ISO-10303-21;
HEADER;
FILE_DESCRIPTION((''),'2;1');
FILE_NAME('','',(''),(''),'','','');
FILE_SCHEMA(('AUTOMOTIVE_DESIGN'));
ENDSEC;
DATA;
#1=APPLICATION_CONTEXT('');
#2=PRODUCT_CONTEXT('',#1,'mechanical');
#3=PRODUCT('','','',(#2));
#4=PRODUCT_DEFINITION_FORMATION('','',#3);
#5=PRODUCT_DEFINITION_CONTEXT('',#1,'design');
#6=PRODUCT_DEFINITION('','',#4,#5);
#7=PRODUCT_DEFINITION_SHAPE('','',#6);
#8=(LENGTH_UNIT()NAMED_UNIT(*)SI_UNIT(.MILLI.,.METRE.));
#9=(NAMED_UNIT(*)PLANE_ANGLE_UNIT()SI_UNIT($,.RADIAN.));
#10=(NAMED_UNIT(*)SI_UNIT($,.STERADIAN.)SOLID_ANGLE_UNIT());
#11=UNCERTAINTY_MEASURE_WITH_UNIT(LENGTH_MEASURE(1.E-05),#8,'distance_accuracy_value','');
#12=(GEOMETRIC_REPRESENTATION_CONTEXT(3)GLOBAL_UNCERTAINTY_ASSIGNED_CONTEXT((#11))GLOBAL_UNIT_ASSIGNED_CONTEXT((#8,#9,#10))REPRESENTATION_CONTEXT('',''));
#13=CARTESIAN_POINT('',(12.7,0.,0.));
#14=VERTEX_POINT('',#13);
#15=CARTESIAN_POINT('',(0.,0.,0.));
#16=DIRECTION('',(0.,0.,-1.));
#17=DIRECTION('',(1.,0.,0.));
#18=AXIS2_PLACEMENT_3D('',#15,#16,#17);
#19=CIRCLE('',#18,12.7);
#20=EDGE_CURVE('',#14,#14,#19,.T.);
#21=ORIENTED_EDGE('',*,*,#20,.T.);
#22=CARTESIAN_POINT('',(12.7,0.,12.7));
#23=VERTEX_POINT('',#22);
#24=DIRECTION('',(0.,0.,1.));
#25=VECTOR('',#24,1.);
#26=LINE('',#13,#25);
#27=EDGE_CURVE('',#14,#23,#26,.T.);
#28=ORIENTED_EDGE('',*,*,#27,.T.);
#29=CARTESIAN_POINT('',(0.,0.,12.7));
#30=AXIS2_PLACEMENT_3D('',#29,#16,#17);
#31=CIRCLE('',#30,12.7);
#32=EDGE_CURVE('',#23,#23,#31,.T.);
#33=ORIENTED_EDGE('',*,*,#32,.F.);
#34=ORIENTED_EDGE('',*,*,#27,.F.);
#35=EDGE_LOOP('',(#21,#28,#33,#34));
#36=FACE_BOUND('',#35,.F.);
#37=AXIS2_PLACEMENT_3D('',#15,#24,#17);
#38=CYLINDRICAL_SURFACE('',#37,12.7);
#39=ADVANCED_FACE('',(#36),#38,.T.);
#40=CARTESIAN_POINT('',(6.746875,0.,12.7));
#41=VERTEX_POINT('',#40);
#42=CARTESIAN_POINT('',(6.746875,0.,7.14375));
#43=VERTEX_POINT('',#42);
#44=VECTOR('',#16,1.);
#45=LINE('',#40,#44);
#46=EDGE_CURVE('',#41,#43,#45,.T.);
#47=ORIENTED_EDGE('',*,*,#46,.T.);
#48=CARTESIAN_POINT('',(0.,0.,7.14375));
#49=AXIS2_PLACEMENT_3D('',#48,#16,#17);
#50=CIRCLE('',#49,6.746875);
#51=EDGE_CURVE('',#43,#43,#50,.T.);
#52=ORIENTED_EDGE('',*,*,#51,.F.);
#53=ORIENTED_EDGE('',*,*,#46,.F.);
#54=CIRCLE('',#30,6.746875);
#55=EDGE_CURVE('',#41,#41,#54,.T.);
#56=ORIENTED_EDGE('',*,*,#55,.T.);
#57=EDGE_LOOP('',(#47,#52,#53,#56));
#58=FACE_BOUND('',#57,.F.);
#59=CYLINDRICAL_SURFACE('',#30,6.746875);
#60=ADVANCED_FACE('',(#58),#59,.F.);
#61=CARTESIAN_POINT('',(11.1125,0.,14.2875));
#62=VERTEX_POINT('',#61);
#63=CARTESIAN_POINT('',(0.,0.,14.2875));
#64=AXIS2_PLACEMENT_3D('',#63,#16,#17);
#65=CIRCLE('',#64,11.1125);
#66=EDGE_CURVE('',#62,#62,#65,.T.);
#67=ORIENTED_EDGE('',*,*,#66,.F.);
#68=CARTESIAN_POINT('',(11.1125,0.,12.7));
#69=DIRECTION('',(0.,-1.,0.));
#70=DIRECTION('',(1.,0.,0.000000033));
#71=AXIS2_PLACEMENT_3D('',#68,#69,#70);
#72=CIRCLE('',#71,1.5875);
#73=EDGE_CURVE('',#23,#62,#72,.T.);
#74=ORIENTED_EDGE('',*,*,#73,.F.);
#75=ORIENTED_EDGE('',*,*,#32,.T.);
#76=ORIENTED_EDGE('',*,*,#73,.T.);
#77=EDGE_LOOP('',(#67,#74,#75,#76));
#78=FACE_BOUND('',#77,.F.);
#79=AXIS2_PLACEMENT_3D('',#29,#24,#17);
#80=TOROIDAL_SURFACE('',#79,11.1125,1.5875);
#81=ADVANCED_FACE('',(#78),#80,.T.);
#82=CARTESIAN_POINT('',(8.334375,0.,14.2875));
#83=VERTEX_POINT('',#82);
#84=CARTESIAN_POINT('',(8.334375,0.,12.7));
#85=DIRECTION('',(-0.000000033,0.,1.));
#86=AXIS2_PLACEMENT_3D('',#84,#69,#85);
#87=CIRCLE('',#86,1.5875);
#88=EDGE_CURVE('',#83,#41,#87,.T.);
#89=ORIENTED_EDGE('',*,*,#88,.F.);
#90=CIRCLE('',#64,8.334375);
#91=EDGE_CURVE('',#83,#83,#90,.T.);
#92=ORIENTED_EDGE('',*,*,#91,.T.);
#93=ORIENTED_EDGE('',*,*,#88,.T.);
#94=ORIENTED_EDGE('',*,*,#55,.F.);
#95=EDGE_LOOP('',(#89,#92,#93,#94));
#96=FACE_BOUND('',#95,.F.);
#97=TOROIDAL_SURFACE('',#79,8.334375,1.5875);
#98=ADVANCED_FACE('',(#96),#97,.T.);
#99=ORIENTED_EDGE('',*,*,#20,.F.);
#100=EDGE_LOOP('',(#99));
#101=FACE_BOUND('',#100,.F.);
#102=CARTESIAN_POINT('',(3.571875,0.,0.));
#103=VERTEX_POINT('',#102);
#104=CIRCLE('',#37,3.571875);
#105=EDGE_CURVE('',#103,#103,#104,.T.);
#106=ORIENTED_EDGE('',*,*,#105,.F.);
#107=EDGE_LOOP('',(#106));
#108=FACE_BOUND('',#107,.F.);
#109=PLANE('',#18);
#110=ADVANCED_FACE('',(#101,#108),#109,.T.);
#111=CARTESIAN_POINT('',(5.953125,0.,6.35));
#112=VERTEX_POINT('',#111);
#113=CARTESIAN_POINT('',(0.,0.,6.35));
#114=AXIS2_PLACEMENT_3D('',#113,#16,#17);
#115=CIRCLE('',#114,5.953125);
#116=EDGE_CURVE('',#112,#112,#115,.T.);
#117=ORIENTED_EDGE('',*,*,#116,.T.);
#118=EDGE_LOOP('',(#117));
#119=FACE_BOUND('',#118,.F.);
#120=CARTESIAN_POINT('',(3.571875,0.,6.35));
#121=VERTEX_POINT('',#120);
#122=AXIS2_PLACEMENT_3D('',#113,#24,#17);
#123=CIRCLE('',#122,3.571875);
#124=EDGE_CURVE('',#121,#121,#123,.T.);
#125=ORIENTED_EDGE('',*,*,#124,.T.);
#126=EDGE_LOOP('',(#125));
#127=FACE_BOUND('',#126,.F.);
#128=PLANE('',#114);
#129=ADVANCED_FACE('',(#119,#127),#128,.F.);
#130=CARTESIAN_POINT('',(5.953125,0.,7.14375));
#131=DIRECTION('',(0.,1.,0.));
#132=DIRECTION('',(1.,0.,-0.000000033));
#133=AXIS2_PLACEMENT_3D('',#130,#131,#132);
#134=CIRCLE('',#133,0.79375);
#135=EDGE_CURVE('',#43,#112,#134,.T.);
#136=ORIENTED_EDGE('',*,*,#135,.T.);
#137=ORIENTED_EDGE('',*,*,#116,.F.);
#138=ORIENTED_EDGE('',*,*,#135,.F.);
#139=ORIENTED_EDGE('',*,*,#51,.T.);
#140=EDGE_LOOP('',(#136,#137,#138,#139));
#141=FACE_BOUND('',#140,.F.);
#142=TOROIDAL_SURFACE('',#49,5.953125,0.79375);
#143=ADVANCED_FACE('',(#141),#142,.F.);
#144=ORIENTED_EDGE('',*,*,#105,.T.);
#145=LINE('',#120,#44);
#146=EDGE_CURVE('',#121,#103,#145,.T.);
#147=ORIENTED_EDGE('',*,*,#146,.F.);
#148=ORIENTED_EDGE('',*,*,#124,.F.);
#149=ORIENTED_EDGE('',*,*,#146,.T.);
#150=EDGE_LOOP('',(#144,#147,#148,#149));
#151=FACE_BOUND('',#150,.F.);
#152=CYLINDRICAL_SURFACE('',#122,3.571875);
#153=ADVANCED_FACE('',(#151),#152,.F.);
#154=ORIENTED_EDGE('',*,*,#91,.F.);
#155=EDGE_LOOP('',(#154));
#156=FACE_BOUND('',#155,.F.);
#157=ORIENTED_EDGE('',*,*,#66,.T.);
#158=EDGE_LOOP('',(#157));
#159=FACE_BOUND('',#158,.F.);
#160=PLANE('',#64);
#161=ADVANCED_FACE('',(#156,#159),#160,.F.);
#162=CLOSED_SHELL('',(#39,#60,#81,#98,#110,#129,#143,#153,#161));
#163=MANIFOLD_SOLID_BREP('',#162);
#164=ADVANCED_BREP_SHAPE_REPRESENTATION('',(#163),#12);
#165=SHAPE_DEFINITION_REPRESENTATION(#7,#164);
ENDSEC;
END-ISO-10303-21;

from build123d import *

# Parameters (mm, degrees)
F2_R     = 3.571875
F3_DEPTH = 6.35


with BuildPart() as f1:
    # F0 (on Front) → F1 (revolve)
    with BuildSketch(Plane.XZ):
        with BuildLine():
            Line((5.953125, 6.35), (0, 6.35))
            Line((0, 6.35), (0, 0))
            Line((0, 0), (12.7, 0))
            Line((12.7, 0), (12.7, 12.7))
            ThreePointArc((12.7, 12.7), (12.235032, 13.822532), (11.1125, 14.2875))
            Line((11.1125, 14.2875), (8.334375, 14.2875))
            ThreePointArc((8.334375, 14.2875), (7.211843, 13.822532), (6.746875, 12.7))
            Line((6.746875, 12.7), (6.746875, 7.14375))
            ThreePointArc((6.746875, 7.14375), (6.514391, 6.582484), (5.953125, 6.35))
        make_face()
    revolve(axis=Axis((0, 0, 3.175), (0, 0, -1)))

    # F2 (on face) → F3 (cut, through all)
    with BuildSketch(Plane.XY.offset(6.35)):
        Circle(F2_R)
    extrude(amount=-F3_DEPTH, mode=Mode.SUBTRACT)


solid = f1.part
